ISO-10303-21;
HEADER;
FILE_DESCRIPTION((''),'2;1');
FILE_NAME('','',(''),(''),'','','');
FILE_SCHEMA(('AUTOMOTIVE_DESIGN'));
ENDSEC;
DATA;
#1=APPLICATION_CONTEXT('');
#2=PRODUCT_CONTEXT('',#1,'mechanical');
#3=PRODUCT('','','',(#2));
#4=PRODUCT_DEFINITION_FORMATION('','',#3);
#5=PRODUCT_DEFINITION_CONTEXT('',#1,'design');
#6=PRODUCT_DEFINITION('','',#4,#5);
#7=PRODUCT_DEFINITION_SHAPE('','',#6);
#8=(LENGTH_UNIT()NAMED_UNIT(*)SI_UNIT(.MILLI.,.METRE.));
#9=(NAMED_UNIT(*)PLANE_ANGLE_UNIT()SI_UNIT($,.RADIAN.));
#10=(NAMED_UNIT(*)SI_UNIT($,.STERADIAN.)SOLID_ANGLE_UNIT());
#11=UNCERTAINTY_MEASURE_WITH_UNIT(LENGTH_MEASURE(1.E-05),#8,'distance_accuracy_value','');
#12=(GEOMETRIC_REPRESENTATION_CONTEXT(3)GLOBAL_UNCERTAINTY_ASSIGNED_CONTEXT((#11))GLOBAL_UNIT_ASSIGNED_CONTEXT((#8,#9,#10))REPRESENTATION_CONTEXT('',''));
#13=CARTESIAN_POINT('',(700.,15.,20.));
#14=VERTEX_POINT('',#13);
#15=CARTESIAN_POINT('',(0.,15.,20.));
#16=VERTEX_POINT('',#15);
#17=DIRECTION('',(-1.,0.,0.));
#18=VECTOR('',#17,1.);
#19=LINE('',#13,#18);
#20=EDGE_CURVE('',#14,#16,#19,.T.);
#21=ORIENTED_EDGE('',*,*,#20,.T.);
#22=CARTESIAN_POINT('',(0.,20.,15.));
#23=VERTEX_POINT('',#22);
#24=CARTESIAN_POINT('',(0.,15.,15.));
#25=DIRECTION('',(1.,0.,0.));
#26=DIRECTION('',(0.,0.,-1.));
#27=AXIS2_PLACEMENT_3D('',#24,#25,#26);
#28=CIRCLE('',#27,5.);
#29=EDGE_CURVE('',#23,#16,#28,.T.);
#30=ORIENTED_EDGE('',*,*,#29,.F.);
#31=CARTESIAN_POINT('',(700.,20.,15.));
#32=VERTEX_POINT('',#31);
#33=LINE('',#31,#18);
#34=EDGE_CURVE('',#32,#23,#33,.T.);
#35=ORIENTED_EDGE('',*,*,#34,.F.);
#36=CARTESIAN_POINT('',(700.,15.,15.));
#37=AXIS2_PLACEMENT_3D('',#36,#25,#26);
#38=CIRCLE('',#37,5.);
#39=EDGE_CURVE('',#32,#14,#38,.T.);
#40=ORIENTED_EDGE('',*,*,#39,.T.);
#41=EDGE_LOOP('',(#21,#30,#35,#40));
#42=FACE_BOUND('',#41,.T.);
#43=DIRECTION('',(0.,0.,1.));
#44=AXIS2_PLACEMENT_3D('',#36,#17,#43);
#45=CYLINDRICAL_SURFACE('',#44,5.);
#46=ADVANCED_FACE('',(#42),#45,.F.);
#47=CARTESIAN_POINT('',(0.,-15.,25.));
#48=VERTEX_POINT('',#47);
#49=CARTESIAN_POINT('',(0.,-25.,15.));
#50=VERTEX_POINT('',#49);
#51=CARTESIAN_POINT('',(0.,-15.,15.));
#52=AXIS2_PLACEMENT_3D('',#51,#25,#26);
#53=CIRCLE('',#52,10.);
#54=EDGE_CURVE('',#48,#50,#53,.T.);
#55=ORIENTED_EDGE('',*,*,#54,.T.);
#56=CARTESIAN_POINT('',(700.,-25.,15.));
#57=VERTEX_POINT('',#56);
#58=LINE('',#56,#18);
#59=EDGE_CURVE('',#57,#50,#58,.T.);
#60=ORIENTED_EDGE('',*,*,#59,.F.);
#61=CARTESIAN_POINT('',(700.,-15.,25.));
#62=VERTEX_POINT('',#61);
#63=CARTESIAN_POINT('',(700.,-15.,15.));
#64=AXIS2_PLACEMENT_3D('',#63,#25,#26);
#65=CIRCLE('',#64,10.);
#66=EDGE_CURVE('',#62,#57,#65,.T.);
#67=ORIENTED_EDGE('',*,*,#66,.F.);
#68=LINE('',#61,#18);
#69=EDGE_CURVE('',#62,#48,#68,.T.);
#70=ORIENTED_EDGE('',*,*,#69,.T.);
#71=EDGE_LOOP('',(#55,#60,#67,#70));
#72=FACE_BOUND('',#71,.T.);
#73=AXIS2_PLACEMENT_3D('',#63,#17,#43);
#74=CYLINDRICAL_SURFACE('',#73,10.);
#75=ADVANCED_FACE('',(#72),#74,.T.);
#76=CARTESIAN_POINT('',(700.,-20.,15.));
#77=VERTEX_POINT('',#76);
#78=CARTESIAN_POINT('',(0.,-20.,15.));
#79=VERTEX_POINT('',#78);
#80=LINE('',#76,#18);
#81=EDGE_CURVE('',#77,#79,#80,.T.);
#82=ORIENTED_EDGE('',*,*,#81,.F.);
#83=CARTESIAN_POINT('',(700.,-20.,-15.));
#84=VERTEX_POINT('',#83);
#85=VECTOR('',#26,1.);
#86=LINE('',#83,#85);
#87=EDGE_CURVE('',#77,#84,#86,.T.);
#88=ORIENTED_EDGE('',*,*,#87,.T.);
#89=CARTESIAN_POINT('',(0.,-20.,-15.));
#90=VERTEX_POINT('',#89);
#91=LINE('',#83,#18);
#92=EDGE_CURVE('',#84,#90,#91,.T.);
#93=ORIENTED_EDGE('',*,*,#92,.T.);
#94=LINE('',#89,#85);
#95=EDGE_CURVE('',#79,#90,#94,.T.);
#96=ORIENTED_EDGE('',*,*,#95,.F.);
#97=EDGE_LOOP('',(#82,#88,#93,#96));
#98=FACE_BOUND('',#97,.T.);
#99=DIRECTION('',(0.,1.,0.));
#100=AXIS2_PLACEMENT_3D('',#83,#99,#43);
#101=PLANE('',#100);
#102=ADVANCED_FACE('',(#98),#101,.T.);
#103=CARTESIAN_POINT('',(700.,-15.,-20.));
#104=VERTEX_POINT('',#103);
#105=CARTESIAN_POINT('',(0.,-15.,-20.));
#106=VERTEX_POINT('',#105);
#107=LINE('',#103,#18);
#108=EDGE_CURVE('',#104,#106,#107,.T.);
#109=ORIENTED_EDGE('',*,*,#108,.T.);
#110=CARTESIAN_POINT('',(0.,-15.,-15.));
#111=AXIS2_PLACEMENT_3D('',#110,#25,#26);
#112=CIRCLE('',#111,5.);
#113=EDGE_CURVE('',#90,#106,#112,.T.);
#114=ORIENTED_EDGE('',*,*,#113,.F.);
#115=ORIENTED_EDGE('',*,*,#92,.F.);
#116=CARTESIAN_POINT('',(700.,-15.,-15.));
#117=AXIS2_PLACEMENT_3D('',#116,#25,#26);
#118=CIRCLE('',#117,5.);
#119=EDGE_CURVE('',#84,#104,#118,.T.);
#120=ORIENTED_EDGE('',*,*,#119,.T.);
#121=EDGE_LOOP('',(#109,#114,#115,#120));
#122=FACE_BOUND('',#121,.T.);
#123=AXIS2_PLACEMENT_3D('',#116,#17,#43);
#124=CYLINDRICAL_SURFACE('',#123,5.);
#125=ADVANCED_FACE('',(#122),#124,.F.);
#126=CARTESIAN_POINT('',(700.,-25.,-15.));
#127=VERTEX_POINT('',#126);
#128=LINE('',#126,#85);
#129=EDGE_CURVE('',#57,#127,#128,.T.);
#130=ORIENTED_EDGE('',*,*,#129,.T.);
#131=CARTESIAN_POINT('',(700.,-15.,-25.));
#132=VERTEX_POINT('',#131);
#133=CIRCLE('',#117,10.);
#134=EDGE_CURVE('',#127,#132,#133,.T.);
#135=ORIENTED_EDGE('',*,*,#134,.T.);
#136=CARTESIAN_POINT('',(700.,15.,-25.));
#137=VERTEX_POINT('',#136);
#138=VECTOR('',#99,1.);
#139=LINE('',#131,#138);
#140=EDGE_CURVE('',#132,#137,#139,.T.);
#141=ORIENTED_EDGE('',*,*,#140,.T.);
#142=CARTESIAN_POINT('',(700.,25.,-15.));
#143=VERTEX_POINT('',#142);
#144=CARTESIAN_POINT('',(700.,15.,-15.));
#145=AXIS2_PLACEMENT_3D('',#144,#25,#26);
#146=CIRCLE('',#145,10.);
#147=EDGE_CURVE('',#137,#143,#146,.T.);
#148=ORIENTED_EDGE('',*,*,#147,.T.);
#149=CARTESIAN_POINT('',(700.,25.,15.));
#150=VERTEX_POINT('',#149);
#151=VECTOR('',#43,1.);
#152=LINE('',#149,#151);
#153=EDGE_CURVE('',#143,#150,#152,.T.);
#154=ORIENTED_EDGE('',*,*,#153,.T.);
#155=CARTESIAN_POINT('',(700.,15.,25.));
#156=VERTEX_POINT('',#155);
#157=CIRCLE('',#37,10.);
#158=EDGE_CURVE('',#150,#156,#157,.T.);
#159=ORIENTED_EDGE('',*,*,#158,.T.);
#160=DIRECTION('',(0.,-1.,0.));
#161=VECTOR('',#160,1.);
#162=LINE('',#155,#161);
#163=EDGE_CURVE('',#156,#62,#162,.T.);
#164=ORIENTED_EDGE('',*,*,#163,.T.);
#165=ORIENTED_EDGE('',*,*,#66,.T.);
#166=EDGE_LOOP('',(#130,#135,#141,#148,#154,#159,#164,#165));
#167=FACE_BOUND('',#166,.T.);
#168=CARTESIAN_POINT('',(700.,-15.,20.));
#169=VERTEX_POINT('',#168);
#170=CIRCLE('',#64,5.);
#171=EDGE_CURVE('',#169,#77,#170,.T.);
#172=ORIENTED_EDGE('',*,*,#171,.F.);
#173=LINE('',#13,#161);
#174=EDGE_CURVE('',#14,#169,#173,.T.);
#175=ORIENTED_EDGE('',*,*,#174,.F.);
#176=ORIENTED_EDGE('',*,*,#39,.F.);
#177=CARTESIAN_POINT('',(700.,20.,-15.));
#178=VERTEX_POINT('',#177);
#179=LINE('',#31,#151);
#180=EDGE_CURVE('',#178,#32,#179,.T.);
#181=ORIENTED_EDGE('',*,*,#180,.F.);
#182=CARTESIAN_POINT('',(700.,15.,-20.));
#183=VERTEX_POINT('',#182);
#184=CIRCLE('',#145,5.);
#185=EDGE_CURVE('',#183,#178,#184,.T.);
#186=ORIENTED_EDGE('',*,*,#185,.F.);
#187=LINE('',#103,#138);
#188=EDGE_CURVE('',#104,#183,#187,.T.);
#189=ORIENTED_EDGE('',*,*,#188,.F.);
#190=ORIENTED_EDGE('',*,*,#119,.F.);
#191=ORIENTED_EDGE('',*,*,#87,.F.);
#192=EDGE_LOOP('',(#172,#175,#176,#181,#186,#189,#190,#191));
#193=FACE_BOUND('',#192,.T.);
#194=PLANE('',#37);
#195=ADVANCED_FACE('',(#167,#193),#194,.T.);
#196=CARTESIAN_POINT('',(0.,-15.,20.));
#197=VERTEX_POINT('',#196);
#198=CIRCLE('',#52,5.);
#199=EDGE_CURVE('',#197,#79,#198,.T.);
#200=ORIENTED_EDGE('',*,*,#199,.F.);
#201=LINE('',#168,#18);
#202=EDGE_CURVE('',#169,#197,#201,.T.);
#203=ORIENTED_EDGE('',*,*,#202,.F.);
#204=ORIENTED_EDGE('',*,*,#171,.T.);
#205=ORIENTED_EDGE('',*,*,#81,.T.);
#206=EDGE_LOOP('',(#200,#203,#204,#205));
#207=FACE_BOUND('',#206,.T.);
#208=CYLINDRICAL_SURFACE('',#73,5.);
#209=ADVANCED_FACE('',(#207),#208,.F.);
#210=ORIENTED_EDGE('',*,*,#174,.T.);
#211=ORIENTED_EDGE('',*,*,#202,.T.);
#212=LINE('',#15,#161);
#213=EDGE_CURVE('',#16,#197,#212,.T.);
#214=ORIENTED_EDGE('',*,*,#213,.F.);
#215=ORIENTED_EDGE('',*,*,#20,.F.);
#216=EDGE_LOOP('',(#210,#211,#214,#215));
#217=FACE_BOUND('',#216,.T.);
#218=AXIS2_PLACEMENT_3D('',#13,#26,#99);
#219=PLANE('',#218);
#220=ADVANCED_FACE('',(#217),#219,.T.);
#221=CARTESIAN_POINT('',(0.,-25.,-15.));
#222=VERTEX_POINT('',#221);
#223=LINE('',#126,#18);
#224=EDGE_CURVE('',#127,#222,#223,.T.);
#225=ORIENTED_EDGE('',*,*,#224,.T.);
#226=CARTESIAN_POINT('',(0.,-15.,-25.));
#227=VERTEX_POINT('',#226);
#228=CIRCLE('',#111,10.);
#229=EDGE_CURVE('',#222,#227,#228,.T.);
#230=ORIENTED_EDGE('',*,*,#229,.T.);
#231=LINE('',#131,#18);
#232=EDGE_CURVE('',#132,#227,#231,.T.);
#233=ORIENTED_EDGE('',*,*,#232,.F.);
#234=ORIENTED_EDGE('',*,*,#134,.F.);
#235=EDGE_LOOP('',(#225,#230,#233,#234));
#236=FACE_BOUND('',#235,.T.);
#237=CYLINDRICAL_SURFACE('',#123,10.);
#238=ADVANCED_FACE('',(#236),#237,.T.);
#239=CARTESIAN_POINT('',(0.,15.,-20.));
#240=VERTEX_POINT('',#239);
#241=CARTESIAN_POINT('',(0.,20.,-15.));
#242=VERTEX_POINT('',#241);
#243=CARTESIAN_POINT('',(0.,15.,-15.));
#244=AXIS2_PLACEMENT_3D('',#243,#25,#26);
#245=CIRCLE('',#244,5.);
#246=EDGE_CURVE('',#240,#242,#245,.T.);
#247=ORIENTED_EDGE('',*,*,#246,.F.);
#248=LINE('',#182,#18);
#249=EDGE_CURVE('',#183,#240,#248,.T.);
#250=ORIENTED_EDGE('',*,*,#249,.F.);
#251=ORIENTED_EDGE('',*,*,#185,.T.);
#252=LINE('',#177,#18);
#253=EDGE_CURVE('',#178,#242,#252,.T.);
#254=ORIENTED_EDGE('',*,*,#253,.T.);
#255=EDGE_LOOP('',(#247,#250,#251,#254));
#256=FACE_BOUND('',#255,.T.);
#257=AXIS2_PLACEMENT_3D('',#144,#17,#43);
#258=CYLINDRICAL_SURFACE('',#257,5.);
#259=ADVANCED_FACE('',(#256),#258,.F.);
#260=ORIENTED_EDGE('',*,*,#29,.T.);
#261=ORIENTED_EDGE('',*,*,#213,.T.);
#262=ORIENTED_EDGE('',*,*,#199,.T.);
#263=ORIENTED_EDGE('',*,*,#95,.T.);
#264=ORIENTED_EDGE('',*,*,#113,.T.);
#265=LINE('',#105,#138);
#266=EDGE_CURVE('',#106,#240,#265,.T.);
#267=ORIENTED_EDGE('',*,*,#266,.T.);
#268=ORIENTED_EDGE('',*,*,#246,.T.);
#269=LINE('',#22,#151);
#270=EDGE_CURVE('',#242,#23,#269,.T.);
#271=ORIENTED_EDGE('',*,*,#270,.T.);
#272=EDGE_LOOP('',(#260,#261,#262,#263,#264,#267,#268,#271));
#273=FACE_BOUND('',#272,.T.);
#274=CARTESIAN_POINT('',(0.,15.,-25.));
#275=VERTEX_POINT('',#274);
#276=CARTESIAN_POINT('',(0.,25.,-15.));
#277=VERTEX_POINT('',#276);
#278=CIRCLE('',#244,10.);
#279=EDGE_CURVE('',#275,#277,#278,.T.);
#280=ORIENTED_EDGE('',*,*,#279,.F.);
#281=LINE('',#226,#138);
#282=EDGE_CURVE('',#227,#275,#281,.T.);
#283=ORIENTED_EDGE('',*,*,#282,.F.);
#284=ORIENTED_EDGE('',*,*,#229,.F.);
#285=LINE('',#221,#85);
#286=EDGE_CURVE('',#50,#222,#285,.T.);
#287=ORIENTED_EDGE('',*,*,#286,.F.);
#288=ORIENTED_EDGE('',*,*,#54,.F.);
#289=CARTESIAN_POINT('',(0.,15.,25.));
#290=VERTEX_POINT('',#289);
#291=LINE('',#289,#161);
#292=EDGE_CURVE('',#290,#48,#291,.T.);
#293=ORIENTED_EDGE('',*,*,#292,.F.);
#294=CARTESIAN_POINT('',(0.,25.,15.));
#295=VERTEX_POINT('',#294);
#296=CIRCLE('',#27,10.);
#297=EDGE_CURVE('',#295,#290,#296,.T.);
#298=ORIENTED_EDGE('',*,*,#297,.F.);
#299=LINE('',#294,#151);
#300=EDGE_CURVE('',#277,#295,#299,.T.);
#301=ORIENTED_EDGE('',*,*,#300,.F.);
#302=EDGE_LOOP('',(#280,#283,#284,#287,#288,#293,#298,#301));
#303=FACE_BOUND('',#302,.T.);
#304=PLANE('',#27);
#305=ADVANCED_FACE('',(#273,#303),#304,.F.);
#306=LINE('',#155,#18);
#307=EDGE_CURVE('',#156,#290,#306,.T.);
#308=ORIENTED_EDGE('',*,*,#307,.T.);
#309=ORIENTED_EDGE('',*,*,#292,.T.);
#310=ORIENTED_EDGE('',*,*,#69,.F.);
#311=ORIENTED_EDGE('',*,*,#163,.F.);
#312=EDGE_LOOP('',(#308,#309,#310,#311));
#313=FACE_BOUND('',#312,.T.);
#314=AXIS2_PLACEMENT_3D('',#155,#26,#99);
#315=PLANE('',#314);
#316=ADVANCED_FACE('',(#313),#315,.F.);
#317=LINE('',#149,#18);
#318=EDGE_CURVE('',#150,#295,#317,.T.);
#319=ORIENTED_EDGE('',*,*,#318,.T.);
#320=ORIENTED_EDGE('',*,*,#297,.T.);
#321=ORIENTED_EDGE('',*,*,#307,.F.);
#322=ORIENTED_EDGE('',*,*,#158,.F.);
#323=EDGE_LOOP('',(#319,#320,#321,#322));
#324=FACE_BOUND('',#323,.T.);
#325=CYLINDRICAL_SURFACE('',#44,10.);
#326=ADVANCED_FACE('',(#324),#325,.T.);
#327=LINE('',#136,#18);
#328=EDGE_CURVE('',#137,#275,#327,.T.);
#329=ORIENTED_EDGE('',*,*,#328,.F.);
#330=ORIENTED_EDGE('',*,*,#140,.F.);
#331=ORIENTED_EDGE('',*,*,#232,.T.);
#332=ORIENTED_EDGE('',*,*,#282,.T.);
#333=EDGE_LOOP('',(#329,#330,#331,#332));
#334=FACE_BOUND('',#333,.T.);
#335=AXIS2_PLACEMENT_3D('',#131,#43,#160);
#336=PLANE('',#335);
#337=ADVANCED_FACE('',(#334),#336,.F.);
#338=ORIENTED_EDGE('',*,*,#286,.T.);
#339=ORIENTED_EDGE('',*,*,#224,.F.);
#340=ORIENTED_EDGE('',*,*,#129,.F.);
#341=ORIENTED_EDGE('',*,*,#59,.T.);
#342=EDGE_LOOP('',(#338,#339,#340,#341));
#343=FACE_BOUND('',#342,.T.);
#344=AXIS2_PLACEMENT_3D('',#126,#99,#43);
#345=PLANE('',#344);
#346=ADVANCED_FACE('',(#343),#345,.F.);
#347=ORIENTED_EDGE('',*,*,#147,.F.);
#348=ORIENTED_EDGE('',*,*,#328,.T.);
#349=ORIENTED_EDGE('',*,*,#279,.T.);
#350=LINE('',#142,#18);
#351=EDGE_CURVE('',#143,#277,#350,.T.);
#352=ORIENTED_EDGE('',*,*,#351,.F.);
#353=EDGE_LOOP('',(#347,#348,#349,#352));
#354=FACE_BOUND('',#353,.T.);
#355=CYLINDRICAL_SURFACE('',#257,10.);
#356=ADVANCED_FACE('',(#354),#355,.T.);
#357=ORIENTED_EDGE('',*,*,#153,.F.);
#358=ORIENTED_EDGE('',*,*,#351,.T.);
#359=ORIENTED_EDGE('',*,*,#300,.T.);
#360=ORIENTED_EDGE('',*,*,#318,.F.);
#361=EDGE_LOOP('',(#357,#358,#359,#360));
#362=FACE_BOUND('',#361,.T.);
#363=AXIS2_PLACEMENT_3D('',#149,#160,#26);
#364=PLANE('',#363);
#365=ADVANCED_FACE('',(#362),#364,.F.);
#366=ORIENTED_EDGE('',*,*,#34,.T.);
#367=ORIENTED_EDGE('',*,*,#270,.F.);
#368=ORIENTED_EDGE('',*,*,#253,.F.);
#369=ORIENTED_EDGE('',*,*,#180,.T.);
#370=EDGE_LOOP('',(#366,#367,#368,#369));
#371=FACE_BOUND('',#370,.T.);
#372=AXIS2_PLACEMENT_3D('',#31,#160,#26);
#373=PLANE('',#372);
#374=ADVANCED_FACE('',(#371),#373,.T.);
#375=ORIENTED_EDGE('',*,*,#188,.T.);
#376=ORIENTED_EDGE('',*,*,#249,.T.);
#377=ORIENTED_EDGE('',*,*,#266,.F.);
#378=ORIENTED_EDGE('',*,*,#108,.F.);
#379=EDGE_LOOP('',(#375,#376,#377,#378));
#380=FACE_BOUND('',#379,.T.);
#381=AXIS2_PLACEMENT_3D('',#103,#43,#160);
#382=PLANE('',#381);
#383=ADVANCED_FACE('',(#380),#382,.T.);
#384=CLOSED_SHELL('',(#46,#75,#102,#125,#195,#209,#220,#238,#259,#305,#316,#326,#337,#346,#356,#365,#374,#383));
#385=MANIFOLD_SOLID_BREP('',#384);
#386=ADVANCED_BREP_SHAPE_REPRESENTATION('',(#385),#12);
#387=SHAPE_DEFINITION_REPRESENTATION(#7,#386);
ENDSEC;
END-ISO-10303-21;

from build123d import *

# Parameters (mm, degrees)
TUBE_SQUARE_RHS50X50X5_1_DEPTH = 700


with BuildPart() as part:
    # Sketch1 → Tube (square) RHS50X50X5(1) (new body)
    with BuildSketch(Plane.YZ):
        with BuildLine():
            Line((-15, -25), (15, -25))
            ThreePointArc((15, -25), (22.071067812, -22.071067812), (25, -15))
            Line((25, -15), (25, 15))
            ThreePointArc((25, 15), (22.071067812, 22.071067812), (15, 25))
            Line((15, 25), (-15, 25))
            ThreePointArc((-15, 25), (-22.071067812, 22.071067812), (-25, 15))
            Line((-25, 15), (-25, -15))
            ThreePointArc((-25, -15), (-22.071067812, -22.071067812), (-15, -25))
        make_face()
        with BuildLine():
            Line((-15, -20), (15, -20))
            ThreePointArc((15, -20), (18.535533906, -18.535533906), (20, -15))
            Line((20, -15), (20, 15))
            ThreePointArc((20, 15), (18.535533906, 18.535533906), (15, 20))
            Line((15, 20), (-15, 20))
            ThreePointArc((-15, 20), (-18.535533906, 18.535533906), (-20, 15))
            Line((-20, 15), (-20, -15))
            ThreePointArc((-20, -15), (-18.535533906, -18.535533906), (-15, -20))
        make_face(mode=Mode.SUBTRACT)
    extrude(amount=TUBE_SQUARE_RHS50X50X5_1_DEPTH)


solid = part.part
